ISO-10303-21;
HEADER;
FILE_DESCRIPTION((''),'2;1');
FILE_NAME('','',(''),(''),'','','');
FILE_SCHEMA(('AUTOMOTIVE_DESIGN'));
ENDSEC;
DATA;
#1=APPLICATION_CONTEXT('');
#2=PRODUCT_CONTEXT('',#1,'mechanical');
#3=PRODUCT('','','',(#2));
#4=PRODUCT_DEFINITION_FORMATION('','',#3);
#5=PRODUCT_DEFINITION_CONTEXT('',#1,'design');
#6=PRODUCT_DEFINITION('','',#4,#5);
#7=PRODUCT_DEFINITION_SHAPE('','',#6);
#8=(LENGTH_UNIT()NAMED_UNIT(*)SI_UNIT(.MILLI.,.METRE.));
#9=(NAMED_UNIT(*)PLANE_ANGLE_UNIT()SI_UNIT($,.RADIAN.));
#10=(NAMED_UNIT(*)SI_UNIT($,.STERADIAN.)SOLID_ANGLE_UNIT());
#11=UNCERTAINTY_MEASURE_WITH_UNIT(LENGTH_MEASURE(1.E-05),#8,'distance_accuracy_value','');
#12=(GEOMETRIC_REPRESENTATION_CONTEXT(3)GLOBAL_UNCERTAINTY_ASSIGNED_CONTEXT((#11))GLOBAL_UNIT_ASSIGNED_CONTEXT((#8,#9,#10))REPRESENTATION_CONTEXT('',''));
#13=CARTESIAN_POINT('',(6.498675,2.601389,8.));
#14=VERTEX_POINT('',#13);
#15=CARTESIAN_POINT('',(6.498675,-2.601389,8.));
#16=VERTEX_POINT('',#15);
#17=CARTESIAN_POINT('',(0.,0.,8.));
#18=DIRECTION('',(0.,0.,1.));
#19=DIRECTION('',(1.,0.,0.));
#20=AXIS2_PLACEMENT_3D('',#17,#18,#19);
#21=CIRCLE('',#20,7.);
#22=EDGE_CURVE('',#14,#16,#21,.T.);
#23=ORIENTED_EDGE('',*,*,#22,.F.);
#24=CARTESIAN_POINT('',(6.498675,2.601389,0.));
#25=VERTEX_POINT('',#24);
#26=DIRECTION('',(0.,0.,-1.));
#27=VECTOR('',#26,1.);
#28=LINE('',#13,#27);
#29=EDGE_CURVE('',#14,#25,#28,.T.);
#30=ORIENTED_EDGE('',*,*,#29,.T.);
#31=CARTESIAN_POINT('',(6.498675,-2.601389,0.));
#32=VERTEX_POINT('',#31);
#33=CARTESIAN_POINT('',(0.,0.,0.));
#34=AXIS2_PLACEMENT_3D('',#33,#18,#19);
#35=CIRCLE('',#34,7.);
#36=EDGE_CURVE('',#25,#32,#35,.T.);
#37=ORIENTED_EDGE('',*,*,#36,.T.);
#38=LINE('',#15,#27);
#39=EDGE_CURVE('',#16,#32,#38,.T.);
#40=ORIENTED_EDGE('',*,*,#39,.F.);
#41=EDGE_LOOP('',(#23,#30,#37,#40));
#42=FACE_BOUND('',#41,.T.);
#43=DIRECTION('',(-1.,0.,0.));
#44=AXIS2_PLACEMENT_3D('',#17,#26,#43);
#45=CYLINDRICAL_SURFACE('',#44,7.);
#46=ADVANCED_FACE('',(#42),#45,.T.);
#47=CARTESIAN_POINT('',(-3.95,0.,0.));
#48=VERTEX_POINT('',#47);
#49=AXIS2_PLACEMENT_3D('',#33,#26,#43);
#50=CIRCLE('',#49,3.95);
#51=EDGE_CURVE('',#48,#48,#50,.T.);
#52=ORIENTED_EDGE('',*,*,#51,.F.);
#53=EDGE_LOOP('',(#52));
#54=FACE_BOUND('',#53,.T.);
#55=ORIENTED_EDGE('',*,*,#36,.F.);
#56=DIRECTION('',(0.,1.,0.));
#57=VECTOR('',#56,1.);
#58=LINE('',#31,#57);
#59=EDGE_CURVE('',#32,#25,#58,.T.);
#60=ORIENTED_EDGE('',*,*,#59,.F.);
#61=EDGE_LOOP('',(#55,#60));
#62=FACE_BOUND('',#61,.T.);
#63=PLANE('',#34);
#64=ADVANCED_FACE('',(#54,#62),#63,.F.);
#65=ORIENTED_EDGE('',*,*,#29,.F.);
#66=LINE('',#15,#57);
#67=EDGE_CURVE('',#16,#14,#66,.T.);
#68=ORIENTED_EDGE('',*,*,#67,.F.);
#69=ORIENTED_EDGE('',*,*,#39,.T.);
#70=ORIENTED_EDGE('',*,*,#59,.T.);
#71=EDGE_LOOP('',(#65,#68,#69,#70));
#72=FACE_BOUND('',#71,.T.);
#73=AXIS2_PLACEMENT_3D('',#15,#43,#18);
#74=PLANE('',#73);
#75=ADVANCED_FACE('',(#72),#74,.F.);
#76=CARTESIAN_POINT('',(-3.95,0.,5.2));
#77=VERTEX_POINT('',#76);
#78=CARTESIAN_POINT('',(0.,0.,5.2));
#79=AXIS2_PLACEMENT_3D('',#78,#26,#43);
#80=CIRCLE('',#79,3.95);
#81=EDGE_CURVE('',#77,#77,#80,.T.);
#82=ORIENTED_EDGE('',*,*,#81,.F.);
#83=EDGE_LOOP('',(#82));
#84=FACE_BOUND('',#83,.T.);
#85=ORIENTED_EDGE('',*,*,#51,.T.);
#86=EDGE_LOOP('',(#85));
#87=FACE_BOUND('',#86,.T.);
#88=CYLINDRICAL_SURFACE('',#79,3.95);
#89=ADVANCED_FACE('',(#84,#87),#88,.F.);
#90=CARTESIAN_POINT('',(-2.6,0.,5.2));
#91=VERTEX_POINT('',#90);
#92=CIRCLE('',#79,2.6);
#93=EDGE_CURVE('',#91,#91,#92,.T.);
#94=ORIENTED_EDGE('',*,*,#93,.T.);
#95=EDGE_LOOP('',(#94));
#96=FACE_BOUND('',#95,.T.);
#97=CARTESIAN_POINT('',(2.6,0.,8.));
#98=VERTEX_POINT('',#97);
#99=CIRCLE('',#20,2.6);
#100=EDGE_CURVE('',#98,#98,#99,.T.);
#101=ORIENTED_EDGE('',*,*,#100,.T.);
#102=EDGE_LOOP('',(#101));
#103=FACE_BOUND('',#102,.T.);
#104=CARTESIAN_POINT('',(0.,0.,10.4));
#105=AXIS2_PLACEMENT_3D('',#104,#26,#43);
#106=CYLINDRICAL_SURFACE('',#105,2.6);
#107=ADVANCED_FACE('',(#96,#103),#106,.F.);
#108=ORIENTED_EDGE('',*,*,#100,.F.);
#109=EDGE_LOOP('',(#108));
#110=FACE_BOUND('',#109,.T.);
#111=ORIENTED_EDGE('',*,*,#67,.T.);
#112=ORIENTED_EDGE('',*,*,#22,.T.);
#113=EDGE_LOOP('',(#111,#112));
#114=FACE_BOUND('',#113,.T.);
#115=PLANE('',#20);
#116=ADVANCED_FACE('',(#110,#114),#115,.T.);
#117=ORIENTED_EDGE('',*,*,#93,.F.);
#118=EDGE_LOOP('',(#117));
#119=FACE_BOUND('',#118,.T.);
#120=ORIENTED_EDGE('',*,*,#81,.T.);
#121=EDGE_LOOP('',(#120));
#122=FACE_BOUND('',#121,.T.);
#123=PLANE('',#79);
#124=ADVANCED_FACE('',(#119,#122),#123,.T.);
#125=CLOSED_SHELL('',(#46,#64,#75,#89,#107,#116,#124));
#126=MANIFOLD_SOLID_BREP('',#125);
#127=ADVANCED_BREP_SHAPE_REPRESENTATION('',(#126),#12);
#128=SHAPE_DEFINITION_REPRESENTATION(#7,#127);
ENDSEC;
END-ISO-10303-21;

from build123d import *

# Parameters (mm, degrees)
EXTRUDE_1_DEPTH     = 8
SKETCH_2_R          = 3.95
CUT_EXTRUDE_1_DEPTH = 5.2
SKETCH_3_R          = 2.6
CUT_EXTRUDE_2_DEPTH = 5.2


with BuildPart() as part:
    # Эскиз1 → Бобышка-Вытянуть1 (new body)
    with BuildSketch(Plane.XY):
        with BuildLine():
            Line((6.498674865, -2.601389052), (6.498674865, 2.601389052))
            ThreePointArc((6.498674865, 2.601389052), (-7, 0), (6.498674865, -2.601389052))
        make_face()
    extrude(amount=EXTRUDE_1_DEPTH)

    # Эскиз2 → Вырез-Вытянуть1 (cut)
    with BuildSketch(Plane(origin=(0, 0, 0), x_dir=(-1, 0, 0), z_dir=(0, 0, -1))):
        Circle(SKETCH_2_R)
    extrude(amount=-CUT_EXTRUDE_1_DEPTH, mode=Mode.SUBTRACT)

    # Эскиз3 → Вырез-Вытянуть2 (cut)
    with BuildSketch(Plane(origin=(0, 0, 5.2), x_dir=(-1, 0, 0), z_dir=(0, 0, -1))):
        Circle(SKETCH_3_R)
    extrude(amount=-CUT_EXTRUDE_2_DEPTH, mode=Mode.SUBTRACT)


solid = part.part
